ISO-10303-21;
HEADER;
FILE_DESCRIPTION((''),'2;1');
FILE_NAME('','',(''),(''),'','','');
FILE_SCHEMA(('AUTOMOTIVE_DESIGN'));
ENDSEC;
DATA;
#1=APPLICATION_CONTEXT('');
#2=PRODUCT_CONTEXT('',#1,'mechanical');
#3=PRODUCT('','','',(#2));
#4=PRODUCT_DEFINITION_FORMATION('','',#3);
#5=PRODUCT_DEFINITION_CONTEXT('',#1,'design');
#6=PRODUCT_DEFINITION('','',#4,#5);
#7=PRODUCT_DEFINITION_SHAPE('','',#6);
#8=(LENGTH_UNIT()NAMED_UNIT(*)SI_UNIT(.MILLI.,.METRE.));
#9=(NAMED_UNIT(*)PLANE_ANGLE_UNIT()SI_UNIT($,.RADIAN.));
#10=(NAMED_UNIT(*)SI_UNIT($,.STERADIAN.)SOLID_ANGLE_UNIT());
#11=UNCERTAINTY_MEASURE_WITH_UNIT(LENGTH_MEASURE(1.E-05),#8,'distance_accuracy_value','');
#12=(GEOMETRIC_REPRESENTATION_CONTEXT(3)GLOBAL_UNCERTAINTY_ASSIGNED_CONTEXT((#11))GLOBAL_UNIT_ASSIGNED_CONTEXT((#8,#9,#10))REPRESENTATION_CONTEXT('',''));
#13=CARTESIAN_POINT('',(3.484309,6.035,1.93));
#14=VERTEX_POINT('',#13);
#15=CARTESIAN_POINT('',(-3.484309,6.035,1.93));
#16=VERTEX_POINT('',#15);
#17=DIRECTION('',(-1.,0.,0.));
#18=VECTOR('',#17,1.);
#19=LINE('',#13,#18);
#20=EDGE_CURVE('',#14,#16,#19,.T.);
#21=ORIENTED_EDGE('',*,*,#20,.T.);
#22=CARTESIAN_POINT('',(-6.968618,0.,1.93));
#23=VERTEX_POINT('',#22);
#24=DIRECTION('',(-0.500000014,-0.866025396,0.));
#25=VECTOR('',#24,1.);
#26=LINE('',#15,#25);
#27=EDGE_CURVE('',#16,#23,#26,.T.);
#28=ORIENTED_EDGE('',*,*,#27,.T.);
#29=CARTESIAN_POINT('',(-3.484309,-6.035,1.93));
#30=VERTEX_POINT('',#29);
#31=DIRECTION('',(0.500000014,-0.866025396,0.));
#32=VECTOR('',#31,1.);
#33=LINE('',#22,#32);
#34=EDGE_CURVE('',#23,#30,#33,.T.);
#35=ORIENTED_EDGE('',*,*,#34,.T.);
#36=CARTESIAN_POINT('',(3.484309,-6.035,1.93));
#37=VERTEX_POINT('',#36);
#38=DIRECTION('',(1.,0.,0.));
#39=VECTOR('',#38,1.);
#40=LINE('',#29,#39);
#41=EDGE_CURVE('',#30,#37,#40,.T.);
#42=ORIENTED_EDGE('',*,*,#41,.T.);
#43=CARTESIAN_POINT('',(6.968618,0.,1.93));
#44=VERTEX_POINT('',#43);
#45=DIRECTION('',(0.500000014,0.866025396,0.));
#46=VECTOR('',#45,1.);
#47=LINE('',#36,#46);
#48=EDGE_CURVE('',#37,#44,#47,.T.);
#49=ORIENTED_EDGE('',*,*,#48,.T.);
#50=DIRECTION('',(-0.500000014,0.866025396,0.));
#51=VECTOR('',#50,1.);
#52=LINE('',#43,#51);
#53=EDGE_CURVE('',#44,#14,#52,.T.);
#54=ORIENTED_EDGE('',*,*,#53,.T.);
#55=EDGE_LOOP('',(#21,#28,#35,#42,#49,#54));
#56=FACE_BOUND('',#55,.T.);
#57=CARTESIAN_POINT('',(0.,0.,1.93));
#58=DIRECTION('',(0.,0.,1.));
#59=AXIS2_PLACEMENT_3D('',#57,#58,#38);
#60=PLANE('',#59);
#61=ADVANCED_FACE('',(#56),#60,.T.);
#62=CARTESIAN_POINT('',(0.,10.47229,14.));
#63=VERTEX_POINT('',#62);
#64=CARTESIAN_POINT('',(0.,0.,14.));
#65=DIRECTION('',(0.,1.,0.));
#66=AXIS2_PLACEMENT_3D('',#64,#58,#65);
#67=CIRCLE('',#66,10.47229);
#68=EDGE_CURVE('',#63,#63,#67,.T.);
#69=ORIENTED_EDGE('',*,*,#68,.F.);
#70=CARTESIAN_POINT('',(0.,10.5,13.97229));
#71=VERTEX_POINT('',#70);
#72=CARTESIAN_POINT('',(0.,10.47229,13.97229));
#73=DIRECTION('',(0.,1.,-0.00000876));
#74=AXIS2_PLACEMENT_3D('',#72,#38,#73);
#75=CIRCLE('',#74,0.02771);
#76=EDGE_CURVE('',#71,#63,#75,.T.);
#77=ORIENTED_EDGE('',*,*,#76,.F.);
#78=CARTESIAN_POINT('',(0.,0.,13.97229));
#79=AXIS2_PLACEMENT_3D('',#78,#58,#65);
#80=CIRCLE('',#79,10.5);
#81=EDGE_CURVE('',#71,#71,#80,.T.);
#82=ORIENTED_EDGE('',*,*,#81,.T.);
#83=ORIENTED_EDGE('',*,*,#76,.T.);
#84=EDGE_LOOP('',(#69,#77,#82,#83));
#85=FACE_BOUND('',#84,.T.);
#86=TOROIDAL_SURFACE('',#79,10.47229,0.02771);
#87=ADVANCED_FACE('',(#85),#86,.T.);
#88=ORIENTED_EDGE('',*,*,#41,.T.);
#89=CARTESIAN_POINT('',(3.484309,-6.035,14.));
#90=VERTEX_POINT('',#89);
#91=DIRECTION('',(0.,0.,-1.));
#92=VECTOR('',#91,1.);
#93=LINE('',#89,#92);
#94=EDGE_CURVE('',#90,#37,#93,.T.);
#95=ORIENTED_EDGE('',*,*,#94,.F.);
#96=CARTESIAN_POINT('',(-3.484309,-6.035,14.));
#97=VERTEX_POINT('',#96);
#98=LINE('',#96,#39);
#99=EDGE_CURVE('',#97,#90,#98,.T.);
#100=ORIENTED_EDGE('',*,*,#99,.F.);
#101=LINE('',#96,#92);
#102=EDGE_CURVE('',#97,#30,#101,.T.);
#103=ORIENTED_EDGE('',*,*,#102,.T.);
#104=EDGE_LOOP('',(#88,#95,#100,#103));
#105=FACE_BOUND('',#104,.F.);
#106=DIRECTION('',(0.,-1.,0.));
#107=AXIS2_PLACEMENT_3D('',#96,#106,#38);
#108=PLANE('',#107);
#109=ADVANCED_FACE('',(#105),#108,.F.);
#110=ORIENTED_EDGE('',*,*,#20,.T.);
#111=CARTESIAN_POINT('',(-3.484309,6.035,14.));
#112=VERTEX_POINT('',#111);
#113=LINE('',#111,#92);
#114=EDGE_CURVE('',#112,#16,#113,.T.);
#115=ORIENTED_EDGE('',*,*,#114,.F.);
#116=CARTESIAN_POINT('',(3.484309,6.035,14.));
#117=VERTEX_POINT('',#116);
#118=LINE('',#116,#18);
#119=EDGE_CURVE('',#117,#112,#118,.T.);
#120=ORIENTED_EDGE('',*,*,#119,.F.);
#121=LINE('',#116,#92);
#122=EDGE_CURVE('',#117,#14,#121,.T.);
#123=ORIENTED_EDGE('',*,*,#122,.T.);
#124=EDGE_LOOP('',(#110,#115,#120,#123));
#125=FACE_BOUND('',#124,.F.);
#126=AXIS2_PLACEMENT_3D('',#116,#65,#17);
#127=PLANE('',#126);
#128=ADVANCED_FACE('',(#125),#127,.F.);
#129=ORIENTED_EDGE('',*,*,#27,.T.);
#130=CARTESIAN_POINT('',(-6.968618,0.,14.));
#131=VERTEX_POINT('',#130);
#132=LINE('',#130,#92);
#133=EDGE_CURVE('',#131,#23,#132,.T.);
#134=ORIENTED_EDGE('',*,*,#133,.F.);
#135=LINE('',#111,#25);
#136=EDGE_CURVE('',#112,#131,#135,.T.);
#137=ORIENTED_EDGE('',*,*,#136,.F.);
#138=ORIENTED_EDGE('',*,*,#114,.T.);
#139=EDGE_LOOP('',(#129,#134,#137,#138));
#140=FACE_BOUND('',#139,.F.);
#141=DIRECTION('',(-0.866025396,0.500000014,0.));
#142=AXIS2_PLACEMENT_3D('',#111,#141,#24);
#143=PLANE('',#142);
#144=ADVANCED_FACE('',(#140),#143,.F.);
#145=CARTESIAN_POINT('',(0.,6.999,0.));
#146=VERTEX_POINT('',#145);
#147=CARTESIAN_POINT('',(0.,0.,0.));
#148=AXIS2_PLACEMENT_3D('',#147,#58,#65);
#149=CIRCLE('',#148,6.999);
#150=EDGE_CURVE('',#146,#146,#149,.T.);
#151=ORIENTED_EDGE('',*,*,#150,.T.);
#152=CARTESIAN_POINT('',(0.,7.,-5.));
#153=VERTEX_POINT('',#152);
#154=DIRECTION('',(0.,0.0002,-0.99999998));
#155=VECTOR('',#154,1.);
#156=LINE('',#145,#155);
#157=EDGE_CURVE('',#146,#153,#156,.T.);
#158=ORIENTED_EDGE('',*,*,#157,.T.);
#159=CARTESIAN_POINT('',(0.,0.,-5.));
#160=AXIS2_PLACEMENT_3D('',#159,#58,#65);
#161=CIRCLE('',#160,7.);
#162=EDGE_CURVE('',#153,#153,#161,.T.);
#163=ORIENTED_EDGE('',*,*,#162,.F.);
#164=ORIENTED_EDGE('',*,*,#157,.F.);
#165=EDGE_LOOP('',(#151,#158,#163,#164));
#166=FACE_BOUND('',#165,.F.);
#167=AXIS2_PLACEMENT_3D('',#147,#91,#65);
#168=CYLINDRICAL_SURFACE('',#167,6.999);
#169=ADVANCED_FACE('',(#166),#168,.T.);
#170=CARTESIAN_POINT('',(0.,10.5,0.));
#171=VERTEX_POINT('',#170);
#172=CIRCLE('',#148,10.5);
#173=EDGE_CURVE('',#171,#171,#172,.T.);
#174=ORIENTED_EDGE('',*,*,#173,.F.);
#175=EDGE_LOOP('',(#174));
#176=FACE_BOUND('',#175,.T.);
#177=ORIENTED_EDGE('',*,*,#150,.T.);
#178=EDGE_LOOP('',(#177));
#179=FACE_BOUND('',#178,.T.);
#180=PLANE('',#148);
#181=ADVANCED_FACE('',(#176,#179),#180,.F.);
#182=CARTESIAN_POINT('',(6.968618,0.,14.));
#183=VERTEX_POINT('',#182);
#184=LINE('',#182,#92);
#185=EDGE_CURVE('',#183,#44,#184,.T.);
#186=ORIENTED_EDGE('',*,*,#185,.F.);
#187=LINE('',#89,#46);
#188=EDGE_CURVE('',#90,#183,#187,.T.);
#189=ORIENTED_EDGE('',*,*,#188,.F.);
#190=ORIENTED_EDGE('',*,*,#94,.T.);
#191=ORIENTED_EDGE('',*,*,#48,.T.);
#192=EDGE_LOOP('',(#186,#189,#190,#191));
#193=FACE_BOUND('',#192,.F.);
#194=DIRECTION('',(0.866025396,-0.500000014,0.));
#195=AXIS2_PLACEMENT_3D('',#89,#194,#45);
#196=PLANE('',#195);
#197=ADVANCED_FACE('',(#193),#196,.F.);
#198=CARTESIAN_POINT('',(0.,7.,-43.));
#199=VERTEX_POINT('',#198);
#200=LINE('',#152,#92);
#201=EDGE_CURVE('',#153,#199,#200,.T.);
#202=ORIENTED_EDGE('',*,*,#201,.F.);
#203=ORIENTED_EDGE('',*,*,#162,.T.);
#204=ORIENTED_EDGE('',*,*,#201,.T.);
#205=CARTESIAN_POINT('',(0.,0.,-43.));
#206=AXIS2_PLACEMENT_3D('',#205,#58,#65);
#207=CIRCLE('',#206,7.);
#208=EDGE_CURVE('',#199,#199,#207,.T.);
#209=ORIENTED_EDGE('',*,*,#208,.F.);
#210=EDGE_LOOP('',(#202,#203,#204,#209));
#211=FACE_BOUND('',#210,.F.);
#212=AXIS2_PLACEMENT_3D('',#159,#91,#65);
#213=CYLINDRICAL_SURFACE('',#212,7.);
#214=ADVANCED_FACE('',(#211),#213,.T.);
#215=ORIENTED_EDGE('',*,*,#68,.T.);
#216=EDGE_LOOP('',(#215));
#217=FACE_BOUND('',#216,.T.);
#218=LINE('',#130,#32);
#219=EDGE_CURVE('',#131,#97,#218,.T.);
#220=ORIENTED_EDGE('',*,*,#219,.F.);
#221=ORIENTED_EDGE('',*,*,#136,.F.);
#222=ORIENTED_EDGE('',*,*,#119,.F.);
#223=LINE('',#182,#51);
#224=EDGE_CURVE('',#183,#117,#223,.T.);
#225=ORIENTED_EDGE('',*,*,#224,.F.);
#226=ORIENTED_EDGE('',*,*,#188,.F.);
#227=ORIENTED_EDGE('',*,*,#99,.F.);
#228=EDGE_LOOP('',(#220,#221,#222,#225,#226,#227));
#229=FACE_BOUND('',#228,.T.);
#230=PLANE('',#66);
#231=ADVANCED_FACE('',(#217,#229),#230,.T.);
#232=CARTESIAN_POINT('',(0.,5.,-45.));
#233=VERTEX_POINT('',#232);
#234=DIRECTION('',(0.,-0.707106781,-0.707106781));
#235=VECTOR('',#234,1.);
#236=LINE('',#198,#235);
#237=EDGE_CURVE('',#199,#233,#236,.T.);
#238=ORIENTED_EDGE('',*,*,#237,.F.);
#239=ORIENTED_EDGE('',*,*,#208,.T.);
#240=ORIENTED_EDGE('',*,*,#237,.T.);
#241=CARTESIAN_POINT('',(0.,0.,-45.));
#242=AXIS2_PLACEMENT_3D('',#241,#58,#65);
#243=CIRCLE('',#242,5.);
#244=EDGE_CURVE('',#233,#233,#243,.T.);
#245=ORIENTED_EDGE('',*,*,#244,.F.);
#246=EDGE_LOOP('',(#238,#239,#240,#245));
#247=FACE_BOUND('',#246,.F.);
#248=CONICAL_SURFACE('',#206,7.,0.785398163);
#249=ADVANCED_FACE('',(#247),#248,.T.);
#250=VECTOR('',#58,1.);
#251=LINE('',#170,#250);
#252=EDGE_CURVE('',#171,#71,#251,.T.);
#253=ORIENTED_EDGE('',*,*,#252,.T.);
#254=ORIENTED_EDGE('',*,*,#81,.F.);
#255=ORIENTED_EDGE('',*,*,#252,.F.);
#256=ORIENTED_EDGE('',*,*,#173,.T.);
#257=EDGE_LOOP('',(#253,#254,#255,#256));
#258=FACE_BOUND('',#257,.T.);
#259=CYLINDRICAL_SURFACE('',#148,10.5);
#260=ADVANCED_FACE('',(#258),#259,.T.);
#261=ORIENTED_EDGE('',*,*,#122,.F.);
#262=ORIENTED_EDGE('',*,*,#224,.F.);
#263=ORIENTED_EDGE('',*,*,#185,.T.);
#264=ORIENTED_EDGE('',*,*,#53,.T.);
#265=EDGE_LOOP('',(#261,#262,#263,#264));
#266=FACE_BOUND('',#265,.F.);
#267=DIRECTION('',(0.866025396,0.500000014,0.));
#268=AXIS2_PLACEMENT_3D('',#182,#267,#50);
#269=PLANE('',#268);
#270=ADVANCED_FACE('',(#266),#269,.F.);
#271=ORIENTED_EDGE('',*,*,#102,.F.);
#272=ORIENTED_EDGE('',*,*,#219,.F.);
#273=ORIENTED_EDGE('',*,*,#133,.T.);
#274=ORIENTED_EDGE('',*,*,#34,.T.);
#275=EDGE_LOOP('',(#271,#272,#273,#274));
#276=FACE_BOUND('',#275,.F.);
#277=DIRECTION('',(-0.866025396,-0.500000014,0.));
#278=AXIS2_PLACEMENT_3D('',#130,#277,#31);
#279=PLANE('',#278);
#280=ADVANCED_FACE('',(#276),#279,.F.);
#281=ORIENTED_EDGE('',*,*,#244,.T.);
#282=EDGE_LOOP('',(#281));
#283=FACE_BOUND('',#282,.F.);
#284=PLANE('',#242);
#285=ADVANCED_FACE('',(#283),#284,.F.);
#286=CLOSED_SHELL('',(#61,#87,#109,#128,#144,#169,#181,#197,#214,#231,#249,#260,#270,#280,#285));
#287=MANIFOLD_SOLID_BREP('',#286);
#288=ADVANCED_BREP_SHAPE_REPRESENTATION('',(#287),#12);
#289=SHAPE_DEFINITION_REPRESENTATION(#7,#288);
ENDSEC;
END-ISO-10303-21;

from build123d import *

# Parameters (mm, degrees)
POCKET_DEPTH = 12.07


with BuildPart() as part:
    # Sketch → Revolve (revolve)
    with BuildSketch(Plane.YZ):
        with BuildLine():
            Line((6.999, 0), (10.5, 0))
            Line((10.5, 0), (10.5, 13.97229))
            ThreePointArc((10.5, 13.97229), (10.491884, 13.991884), (10.47229, 14))
            Line((10.47229, 14), (0, 14))
            Line((0, -45), (0, 14))
            Line((5, -45), (0, -45))
            Line((7, -43), (5, -45))
            Line((7, -5), (7, -43))
            Line((6.999, 0), (7, -5))
        make_face()
    revolve(axis=Axis((0, 0, 0), (0, 0, 1)))

    # Sketch001 → Pocket (cut)
    with BuildSketch(Plane.XY.offset(14)):
        Polygon((6.968618, 0), (3.484309, 6.035), (-3.484309, 6.035), (-6.968618, 0), (-3.484309, -6.035), (3.484309, -6.035), align=None)
    extrude(amount=-POCKET_DEPTH, mode=Mode.SUBTRACT)


solid = part.part
